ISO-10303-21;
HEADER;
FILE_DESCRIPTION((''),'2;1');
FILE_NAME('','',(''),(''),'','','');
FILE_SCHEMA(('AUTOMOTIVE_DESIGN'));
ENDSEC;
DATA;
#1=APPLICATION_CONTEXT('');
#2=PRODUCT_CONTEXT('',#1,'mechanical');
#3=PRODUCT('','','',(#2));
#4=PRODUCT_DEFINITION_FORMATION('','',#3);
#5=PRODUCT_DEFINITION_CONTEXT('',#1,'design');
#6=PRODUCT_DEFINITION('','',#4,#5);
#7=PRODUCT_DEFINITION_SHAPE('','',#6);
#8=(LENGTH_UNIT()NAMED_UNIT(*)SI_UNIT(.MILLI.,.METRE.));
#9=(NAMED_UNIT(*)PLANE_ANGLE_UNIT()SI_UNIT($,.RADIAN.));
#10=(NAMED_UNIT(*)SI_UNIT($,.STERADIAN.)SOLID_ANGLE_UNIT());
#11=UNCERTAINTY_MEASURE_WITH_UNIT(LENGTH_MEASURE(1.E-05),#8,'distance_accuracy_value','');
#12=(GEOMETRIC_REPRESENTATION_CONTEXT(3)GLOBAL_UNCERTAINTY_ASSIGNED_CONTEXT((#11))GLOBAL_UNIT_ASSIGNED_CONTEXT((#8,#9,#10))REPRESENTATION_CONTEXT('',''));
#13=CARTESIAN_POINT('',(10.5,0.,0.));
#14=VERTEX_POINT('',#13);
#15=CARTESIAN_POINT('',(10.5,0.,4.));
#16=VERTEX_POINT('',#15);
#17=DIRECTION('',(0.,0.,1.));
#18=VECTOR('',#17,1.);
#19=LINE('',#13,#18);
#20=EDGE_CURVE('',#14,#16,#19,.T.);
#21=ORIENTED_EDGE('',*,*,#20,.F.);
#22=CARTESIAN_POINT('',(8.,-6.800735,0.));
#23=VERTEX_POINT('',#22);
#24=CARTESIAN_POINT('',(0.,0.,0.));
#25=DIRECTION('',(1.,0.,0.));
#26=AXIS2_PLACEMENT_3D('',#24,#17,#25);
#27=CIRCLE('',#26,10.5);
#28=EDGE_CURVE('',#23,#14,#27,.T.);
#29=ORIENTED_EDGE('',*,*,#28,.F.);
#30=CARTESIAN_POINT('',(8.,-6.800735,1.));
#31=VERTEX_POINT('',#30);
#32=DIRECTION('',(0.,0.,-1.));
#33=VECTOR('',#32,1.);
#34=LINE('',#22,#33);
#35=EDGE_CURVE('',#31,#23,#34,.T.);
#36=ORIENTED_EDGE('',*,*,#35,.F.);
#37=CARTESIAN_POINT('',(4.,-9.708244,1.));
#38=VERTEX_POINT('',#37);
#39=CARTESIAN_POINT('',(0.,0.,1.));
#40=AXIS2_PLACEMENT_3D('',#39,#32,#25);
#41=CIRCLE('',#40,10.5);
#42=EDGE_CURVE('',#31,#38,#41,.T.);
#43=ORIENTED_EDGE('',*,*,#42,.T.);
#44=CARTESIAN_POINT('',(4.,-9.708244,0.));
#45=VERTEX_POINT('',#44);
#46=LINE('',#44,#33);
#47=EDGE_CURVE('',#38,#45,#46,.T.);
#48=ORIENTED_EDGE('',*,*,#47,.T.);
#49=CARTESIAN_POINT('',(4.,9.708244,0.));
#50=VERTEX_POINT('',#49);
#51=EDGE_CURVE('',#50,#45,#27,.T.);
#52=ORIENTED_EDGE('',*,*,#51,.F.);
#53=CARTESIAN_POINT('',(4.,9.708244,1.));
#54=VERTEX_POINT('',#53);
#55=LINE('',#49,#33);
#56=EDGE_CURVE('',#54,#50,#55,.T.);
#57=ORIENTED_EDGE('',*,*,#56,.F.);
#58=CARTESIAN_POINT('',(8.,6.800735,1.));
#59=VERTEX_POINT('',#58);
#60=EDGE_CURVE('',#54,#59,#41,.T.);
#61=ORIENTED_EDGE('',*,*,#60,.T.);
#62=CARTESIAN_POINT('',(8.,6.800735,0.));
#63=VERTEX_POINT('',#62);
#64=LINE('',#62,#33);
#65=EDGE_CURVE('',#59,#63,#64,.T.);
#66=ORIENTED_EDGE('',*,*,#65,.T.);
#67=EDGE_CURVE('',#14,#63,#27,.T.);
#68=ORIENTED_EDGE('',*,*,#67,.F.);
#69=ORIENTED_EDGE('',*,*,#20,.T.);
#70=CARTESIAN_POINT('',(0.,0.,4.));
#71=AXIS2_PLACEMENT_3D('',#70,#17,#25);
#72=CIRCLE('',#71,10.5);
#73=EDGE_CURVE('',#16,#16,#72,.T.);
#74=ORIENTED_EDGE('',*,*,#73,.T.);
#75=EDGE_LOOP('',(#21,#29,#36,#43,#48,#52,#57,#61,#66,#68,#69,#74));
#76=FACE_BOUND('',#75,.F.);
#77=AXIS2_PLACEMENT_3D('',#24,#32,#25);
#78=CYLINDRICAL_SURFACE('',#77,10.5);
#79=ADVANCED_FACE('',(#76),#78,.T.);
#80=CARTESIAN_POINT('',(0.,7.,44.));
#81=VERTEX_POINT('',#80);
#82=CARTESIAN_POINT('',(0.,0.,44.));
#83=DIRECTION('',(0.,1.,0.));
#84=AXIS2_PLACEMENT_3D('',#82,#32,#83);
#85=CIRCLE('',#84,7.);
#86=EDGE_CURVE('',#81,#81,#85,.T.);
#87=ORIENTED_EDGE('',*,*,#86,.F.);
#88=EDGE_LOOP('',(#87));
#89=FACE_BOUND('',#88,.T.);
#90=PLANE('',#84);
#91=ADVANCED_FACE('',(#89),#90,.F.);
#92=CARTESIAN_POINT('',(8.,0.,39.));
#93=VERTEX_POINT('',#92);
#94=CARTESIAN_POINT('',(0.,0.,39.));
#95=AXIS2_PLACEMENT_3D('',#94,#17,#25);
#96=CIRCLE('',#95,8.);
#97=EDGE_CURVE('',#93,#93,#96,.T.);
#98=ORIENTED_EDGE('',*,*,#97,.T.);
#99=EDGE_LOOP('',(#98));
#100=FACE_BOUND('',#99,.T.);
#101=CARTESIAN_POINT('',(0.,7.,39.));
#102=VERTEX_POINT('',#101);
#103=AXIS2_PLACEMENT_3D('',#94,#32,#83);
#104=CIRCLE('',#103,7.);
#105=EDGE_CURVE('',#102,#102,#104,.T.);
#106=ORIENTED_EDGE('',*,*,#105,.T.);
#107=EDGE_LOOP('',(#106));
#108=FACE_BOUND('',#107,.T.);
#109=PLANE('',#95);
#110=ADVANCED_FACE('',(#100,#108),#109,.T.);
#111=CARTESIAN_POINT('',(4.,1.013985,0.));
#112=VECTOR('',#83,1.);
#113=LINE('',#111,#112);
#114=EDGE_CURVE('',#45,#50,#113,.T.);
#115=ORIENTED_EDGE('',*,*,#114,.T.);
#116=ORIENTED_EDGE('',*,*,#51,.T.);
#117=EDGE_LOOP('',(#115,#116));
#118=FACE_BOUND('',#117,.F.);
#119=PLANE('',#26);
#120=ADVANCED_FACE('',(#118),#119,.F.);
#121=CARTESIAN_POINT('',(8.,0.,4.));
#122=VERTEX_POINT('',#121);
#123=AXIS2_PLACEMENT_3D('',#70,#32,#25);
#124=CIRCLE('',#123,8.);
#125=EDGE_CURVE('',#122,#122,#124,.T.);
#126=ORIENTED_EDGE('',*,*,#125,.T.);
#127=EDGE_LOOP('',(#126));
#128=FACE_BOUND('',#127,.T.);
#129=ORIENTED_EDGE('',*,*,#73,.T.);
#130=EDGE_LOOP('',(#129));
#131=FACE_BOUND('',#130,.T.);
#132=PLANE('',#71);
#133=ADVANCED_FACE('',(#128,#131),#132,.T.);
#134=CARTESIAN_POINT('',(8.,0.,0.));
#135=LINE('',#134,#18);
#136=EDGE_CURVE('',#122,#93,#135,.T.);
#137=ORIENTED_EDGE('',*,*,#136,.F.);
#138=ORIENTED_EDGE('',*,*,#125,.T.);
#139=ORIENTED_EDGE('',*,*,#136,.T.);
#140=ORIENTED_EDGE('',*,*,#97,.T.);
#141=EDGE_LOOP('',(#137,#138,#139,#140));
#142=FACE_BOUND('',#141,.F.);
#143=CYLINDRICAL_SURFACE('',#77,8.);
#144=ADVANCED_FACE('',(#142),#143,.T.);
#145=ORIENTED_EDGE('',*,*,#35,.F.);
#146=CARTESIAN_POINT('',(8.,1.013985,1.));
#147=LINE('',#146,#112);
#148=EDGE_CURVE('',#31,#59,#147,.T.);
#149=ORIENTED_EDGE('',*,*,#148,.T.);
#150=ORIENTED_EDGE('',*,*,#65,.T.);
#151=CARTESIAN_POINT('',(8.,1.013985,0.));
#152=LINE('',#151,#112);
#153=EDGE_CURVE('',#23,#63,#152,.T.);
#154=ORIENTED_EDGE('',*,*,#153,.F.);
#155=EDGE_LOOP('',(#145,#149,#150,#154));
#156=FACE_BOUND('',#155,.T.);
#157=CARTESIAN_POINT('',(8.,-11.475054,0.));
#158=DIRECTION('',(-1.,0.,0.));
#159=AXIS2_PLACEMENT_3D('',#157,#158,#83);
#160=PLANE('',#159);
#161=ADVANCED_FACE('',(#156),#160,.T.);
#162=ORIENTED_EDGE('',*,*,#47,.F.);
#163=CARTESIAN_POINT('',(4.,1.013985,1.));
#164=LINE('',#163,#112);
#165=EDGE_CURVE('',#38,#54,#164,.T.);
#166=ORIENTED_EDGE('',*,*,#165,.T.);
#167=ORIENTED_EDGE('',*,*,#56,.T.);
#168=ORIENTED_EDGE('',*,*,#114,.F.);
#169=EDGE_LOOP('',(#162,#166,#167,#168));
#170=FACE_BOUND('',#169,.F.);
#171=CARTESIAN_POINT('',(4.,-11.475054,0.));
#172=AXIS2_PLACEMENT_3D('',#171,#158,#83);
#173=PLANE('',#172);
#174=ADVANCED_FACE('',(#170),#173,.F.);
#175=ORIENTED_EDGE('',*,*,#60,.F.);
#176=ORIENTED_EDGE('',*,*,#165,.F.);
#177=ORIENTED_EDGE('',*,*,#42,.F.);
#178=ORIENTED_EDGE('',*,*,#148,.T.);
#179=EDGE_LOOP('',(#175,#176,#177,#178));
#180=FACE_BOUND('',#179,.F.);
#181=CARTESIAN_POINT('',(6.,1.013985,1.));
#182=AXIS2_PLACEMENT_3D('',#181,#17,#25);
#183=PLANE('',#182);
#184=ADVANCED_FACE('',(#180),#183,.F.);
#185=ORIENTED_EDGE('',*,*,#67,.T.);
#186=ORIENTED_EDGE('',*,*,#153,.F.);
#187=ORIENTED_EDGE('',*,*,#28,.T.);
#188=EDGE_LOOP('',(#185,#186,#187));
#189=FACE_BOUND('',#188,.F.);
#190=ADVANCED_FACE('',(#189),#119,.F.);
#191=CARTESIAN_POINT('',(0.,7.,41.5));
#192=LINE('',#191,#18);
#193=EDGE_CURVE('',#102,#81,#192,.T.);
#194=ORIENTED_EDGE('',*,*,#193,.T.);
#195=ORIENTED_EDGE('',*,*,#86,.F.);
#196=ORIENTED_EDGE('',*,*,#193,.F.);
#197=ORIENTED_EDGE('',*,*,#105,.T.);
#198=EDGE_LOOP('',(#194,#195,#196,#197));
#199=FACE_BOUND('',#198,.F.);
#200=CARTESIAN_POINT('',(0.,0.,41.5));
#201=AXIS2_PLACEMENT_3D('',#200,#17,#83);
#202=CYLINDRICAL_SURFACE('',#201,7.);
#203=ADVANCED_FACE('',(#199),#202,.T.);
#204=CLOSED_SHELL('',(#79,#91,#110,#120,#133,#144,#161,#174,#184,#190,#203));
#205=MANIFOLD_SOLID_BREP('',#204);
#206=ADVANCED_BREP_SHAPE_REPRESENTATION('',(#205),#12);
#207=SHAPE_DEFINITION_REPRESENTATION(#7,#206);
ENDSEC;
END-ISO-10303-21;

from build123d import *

# Parameters (mm, degrees)
F0_R     = 10.5
F1_DEPTH = 4
F2_R     = 8
F3_DEPTH = 39
F4_W     = 7
F4_H     = 5
F6_W     = 4
F6_H     = 24.978078
F7_DEPTH = 1


with BuildPart() as f1:
    # F0 (on Top) → F1 (new body)
    with BuildSketch(Plane.XY):
        Circle(F0_R)
    extrude(amount=F1_DEPTH)

    # F2 (on Top) → F3 (join)
    with BuildSketch(Plane.XY):
        Circle(F2_R)
    extrude(amount=F3_DEPTH)

    # F4 (on Right) → F5 (revolve)
    with BuildSketch(Plane.YZ):
        with Locations((3.5, 41.5)):
            Rectangle(F4_W, F4_H)
    revolve(axis=Axis((0, 0, 41.5), (0, 0, -1)))

    # F6 (on Top) → F7 (cut)
    with BuildSketch(Plane.XY):
        with Locations((6, 1.013985)):
            Rectangle(F6_W, F6_H)
    extrude(amount=F7_DEPTH, mode=Mode.SUBTRACT)


solid = f1.part
